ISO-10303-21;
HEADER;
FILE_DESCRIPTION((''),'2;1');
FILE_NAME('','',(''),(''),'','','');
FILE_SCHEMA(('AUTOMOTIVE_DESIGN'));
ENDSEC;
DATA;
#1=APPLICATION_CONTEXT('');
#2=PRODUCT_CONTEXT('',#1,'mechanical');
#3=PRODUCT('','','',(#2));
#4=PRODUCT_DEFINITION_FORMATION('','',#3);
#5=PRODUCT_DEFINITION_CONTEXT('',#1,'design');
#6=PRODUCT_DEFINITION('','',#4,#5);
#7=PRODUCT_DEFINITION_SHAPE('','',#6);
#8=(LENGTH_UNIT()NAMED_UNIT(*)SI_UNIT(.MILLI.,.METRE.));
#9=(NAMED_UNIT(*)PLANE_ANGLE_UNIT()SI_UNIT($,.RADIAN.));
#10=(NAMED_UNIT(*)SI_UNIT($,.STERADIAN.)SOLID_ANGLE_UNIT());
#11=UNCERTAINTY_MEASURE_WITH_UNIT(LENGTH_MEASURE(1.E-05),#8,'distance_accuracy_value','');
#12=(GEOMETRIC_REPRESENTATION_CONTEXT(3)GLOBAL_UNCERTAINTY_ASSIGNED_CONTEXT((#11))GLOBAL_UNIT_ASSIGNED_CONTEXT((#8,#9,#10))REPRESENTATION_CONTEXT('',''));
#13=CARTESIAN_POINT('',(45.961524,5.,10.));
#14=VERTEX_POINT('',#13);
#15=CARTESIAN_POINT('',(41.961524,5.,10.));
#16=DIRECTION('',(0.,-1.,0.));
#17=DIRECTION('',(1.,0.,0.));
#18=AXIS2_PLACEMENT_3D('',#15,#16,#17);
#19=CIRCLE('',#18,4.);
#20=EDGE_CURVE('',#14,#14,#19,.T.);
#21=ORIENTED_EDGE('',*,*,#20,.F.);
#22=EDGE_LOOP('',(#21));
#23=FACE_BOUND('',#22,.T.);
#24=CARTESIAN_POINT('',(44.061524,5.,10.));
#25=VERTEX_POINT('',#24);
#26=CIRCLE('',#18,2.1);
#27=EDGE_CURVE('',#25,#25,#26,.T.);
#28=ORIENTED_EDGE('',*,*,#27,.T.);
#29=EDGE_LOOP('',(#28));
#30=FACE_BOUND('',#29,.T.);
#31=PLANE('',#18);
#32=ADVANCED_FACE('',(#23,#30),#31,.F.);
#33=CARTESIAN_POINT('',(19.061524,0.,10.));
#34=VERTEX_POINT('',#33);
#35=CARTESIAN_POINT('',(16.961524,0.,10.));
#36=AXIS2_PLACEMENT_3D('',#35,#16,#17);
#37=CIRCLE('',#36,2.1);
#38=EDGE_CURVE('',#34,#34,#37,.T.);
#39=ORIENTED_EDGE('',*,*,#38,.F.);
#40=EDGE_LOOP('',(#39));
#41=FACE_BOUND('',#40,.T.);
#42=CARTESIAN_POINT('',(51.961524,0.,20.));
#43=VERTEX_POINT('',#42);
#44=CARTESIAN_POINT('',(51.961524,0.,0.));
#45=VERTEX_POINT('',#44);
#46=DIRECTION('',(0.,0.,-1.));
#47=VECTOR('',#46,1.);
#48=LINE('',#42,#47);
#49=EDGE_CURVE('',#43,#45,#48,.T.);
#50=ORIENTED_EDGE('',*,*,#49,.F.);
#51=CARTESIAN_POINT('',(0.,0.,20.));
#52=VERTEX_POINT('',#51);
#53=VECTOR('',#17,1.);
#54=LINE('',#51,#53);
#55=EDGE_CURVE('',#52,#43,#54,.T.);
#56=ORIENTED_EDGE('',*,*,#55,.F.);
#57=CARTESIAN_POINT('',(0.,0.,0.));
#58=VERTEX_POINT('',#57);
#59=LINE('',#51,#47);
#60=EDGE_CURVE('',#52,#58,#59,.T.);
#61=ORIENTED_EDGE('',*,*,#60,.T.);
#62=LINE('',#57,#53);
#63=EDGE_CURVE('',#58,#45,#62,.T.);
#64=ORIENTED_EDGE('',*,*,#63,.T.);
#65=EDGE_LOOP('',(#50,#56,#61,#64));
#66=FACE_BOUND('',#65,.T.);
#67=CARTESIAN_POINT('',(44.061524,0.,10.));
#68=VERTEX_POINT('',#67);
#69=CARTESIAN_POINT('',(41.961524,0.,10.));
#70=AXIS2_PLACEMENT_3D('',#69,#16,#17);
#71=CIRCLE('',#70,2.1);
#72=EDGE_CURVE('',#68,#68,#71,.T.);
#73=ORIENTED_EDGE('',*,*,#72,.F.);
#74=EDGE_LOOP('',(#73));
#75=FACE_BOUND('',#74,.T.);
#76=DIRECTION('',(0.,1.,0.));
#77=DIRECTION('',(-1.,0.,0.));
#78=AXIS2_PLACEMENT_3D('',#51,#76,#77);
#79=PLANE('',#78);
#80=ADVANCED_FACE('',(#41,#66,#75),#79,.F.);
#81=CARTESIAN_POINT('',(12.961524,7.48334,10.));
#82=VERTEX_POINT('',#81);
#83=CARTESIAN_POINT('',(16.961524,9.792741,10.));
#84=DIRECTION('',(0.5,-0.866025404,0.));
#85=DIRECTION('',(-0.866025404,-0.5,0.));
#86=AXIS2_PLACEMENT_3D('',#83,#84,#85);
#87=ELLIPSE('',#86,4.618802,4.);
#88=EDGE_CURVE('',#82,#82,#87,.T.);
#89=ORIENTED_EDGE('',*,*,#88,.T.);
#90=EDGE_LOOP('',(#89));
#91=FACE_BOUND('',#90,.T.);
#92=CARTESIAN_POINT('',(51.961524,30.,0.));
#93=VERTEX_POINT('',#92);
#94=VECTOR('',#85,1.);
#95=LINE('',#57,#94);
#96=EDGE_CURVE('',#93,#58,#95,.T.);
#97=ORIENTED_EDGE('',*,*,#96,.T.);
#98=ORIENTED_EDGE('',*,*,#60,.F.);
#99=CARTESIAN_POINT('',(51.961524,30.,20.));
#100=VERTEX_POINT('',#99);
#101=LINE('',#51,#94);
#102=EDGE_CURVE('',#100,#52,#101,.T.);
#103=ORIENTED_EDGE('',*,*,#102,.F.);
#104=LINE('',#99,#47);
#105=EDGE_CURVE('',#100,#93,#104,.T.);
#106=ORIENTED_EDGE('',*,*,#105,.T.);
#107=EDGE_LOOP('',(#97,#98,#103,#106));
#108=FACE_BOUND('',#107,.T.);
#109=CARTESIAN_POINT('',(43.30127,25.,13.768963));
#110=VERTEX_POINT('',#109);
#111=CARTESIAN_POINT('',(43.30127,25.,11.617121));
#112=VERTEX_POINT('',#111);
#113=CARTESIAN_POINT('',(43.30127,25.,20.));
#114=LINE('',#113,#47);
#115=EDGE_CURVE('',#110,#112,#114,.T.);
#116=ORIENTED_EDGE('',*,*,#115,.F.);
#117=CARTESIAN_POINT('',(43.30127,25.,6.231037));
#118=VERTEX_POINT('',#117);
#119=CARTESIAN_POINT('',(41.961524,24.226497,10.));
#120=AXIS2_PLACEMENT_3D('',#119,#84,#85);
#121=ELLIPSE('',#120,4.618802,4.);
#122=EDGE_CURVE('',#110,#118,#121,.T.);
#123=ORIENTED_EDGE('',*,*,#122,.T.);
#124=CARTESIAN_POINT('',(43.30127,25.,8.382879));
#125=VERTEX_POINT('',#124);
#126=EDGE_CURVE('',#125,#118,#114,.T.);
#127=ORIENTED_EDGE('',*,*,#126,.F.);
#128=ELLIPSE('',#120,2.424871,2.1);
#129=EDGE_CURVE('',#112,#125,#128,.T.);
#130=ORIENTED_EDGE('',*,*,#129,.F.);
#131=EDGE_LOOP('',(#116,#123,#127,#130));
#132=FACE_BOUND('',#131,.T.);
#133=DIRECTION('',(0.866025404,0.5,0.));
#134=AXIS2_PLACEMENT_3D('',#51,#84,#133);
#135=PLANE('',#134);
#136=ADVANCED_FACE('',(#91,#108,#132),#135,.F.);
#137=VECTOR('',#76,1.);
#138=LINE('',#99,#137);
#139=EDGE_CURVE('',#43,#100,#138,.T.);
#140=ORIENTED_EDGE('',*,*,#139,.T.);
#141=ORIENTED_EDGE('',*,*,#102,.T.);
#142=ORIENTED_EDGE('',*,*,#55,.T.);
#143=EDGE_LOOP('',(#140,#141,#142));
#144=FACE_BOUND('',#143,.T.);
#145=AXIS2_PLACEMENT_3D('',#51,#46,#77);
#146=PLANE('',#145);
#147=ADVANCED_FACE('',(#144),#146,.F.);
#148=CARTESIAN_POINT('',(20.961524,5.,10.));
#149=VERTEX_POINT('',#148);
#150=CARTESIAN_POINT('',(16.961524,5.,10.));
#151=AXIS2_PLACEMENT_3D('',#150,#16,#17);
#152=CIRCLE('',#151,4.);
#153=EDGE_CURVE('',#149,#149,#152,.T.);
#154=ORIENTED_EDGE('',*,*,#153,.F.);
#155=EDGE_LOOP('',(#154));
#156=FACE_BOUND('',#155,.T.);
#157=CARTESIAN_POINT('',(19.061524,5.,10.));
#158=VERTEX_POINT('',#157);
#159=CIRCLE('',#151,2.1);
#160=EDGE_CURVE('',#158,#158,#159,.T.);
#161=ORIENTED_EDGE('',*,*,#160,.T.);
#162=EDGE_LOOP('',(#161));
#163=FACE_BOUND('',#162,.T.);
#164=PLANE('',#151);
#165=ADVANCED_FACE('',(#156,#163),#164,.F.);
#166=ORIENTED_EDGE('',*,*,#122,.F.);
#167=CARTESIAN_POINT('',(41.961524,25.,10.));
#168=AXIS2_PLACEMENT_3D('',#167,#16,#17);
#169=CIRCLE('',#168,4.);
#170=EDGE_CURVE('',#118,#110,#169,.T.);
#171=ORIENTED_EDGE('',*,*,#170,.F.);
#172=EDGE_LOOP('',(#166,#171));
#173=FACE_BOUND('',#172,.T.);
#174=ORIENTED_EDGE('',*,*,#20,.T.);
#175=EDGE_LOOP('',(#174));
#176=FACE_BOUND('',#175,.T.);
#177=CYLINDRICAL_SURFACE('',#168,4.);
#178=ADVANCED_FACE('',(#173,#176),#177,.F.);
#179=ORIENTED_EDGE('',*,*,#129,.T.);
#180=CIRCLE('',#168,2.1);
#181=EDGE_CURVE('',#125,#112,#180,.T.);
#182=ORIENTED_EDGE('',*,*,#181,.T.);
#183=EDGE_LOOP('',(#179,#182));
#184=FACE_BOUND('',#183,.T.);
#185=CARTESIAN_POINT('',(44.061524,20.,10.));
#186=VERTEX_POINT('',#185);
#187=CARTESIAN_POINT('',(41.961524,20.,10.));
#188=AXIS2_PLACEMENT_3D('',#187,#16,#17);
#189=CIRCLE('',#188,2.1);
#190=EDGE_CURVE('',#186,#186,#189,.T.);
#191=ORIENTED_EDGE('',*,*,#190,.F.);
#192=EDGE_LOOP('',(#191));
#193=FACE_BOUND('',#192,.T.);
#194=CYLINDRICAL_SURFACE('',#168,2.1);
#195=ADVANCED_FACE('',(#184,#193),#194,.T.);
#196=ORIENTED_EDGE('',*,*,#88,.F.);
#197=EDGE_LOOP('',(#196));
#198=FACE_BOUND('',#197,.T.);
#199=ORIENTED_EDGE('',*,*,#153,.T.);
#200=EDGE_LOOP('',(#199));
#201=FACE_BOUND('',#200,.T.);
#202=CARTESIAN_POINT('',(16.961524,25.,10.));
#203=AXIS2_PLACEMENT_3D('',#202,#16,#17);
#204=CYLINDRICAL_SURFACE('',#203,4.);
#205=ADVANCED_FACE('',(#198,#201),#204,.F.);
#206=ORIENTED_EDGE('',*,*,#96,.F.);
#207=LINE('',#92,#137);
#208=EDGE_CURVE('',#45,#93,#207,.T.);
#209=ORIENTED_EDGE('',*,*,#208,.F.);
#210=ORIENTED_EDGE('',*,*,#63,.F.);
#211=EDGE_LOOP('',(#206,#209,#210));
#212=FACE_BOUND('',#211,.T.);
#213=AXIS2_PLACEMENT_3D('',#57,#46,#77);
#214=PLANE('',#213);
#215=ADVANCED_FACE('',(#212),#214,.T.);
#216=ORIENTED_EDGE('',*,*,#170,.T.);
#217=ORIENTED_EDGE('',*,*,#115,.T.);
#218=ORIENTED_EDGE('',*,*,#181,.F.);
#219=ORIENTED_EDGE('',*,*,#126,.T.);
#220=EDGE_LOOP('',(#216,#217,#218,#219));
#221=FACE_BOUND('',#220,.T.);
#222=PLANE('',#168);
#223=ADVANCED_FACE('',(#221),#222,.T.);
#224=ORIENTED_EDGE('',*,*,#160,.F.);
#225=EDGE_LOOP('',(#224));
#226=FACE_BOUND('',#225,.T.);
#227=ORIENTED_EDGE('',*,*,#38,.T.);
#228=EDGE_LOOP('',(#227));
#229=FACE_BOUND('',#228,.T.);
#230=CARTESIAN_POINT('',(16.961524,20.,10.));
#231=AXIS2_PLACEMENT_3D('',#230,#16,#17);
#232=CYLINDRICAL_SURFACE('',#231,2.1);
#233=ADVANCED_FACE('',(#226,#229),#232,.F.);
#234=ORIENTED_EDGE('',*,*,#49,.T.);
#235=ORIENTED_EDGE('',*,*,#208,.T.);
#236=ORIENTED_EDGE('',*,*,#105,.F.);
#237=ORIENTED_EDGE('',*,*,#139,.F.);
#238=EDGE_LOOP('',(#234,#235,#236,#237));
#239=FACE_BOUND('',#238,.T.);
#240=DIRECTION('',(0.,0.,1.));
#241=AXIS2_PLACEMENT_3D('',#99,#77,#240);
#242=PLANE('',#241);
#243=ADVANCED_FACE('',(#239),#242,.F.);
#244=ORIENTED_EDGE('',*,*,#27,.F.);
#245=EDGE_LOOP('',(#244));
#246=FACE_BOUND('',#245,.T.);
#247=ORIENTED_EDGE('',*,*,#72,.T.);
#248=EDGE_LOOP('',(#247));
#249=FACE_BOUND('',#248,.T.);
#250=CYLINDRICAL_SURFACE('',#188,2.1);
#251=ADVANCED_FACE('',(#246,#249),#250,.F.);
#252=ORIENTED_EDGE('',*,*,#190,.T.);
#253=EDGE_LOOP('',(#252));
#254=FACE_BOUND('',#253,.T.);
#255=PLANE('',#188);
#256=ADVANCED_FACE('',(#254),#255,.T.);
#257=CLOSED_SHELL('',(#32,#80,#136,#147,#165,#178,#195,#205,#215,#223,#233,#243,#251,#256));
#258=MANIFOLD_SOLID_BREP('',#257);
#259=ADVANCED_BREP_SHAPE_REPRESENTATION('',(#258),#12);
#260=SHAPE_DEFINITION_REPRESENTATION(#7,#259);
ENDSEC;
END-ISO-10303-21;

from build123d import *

# Parameters (mm, degrees)
EXTRUDE_1_DEPTH     = 20
SKETCH_2_R          = 2.1
CUT_EXTRUDE_1_DEPTH = 20
SKETCH_3_R          = 4
SKETCH_3_R_2        = 2.1
CUT_EXTRUDE_2_DEPTH = 20


with BuildPart() as part:
    # ｽｹｯﾁ1 → ﾎﾞｽ - 押し出し1 (new body)
    with BuildSketch(Plane.XY):
        Polygon((0, 0), (51.961524227, 0), (51.961524227, 30), align=None)
    extrude(amount=EXTRUDE_1_DEPTH)

    # ｽｹｯﾁ2 → ｶｯﾄ - 押し出し1 (cut)
    with BuildSketch(Plane(origin=(0, 0, 0), x_dir=(-1, 0, 0), z_dir=(0, -1, 0))):
        with Locations(Location((-16.961524227, -10, 0), (0, 0, 180))):
            Circle(SKETCH_2_R)
        with Locations(Location((-41.961524227, -10, 0), (0, 0, 180))):
            Circle(SKETCH_2_R)
    extrude(amount=-CUT_EXTRUDE_1_DEPTH, mode=Mode.SUBTRACT)

    # ｽｹｯﾁ3 → ｶｯﾄ - 押し出し2 (cut)
    # profile 1 of 2: a face of its own
    with BuildSketch(Plane(origin=(0, 5, 0), x_dir=(-1, 0, 0), z_dir=(0, -1, 0))):
        with Locations(Location((-16.961524227, -10, 0), (0, 0, 180))):
            Circle(SKETCH_3_R)
        with Locations(Location((-16.961524227, -10, 0), (0, 0, 180))):
            Circle(SKETCH_3_R_2, mode=Mode.SUBTRACT)
    # profile 2 of 2: a face of its own
    with BuildSketch(Plane(origin=(0, 5, 0), x_dir=(-1, 0, 0), z_dir=(0, -1, 0))):
        with Locations(Location((-41.961524227, -10, 0), (0, 0, 180))):
            Circle(SKETCH_3_R)
        with Locations(Location((-41.961524227, -10, 0), (0, 0, 180))):
            Circle(SKETCH_3_R_2, mode=Mode.SUBTRACT)
    extrude(amount=-CUT_EXTRUDE_2_DEPTH, mode=Mode.SUBTRACT)


solid = part.part
